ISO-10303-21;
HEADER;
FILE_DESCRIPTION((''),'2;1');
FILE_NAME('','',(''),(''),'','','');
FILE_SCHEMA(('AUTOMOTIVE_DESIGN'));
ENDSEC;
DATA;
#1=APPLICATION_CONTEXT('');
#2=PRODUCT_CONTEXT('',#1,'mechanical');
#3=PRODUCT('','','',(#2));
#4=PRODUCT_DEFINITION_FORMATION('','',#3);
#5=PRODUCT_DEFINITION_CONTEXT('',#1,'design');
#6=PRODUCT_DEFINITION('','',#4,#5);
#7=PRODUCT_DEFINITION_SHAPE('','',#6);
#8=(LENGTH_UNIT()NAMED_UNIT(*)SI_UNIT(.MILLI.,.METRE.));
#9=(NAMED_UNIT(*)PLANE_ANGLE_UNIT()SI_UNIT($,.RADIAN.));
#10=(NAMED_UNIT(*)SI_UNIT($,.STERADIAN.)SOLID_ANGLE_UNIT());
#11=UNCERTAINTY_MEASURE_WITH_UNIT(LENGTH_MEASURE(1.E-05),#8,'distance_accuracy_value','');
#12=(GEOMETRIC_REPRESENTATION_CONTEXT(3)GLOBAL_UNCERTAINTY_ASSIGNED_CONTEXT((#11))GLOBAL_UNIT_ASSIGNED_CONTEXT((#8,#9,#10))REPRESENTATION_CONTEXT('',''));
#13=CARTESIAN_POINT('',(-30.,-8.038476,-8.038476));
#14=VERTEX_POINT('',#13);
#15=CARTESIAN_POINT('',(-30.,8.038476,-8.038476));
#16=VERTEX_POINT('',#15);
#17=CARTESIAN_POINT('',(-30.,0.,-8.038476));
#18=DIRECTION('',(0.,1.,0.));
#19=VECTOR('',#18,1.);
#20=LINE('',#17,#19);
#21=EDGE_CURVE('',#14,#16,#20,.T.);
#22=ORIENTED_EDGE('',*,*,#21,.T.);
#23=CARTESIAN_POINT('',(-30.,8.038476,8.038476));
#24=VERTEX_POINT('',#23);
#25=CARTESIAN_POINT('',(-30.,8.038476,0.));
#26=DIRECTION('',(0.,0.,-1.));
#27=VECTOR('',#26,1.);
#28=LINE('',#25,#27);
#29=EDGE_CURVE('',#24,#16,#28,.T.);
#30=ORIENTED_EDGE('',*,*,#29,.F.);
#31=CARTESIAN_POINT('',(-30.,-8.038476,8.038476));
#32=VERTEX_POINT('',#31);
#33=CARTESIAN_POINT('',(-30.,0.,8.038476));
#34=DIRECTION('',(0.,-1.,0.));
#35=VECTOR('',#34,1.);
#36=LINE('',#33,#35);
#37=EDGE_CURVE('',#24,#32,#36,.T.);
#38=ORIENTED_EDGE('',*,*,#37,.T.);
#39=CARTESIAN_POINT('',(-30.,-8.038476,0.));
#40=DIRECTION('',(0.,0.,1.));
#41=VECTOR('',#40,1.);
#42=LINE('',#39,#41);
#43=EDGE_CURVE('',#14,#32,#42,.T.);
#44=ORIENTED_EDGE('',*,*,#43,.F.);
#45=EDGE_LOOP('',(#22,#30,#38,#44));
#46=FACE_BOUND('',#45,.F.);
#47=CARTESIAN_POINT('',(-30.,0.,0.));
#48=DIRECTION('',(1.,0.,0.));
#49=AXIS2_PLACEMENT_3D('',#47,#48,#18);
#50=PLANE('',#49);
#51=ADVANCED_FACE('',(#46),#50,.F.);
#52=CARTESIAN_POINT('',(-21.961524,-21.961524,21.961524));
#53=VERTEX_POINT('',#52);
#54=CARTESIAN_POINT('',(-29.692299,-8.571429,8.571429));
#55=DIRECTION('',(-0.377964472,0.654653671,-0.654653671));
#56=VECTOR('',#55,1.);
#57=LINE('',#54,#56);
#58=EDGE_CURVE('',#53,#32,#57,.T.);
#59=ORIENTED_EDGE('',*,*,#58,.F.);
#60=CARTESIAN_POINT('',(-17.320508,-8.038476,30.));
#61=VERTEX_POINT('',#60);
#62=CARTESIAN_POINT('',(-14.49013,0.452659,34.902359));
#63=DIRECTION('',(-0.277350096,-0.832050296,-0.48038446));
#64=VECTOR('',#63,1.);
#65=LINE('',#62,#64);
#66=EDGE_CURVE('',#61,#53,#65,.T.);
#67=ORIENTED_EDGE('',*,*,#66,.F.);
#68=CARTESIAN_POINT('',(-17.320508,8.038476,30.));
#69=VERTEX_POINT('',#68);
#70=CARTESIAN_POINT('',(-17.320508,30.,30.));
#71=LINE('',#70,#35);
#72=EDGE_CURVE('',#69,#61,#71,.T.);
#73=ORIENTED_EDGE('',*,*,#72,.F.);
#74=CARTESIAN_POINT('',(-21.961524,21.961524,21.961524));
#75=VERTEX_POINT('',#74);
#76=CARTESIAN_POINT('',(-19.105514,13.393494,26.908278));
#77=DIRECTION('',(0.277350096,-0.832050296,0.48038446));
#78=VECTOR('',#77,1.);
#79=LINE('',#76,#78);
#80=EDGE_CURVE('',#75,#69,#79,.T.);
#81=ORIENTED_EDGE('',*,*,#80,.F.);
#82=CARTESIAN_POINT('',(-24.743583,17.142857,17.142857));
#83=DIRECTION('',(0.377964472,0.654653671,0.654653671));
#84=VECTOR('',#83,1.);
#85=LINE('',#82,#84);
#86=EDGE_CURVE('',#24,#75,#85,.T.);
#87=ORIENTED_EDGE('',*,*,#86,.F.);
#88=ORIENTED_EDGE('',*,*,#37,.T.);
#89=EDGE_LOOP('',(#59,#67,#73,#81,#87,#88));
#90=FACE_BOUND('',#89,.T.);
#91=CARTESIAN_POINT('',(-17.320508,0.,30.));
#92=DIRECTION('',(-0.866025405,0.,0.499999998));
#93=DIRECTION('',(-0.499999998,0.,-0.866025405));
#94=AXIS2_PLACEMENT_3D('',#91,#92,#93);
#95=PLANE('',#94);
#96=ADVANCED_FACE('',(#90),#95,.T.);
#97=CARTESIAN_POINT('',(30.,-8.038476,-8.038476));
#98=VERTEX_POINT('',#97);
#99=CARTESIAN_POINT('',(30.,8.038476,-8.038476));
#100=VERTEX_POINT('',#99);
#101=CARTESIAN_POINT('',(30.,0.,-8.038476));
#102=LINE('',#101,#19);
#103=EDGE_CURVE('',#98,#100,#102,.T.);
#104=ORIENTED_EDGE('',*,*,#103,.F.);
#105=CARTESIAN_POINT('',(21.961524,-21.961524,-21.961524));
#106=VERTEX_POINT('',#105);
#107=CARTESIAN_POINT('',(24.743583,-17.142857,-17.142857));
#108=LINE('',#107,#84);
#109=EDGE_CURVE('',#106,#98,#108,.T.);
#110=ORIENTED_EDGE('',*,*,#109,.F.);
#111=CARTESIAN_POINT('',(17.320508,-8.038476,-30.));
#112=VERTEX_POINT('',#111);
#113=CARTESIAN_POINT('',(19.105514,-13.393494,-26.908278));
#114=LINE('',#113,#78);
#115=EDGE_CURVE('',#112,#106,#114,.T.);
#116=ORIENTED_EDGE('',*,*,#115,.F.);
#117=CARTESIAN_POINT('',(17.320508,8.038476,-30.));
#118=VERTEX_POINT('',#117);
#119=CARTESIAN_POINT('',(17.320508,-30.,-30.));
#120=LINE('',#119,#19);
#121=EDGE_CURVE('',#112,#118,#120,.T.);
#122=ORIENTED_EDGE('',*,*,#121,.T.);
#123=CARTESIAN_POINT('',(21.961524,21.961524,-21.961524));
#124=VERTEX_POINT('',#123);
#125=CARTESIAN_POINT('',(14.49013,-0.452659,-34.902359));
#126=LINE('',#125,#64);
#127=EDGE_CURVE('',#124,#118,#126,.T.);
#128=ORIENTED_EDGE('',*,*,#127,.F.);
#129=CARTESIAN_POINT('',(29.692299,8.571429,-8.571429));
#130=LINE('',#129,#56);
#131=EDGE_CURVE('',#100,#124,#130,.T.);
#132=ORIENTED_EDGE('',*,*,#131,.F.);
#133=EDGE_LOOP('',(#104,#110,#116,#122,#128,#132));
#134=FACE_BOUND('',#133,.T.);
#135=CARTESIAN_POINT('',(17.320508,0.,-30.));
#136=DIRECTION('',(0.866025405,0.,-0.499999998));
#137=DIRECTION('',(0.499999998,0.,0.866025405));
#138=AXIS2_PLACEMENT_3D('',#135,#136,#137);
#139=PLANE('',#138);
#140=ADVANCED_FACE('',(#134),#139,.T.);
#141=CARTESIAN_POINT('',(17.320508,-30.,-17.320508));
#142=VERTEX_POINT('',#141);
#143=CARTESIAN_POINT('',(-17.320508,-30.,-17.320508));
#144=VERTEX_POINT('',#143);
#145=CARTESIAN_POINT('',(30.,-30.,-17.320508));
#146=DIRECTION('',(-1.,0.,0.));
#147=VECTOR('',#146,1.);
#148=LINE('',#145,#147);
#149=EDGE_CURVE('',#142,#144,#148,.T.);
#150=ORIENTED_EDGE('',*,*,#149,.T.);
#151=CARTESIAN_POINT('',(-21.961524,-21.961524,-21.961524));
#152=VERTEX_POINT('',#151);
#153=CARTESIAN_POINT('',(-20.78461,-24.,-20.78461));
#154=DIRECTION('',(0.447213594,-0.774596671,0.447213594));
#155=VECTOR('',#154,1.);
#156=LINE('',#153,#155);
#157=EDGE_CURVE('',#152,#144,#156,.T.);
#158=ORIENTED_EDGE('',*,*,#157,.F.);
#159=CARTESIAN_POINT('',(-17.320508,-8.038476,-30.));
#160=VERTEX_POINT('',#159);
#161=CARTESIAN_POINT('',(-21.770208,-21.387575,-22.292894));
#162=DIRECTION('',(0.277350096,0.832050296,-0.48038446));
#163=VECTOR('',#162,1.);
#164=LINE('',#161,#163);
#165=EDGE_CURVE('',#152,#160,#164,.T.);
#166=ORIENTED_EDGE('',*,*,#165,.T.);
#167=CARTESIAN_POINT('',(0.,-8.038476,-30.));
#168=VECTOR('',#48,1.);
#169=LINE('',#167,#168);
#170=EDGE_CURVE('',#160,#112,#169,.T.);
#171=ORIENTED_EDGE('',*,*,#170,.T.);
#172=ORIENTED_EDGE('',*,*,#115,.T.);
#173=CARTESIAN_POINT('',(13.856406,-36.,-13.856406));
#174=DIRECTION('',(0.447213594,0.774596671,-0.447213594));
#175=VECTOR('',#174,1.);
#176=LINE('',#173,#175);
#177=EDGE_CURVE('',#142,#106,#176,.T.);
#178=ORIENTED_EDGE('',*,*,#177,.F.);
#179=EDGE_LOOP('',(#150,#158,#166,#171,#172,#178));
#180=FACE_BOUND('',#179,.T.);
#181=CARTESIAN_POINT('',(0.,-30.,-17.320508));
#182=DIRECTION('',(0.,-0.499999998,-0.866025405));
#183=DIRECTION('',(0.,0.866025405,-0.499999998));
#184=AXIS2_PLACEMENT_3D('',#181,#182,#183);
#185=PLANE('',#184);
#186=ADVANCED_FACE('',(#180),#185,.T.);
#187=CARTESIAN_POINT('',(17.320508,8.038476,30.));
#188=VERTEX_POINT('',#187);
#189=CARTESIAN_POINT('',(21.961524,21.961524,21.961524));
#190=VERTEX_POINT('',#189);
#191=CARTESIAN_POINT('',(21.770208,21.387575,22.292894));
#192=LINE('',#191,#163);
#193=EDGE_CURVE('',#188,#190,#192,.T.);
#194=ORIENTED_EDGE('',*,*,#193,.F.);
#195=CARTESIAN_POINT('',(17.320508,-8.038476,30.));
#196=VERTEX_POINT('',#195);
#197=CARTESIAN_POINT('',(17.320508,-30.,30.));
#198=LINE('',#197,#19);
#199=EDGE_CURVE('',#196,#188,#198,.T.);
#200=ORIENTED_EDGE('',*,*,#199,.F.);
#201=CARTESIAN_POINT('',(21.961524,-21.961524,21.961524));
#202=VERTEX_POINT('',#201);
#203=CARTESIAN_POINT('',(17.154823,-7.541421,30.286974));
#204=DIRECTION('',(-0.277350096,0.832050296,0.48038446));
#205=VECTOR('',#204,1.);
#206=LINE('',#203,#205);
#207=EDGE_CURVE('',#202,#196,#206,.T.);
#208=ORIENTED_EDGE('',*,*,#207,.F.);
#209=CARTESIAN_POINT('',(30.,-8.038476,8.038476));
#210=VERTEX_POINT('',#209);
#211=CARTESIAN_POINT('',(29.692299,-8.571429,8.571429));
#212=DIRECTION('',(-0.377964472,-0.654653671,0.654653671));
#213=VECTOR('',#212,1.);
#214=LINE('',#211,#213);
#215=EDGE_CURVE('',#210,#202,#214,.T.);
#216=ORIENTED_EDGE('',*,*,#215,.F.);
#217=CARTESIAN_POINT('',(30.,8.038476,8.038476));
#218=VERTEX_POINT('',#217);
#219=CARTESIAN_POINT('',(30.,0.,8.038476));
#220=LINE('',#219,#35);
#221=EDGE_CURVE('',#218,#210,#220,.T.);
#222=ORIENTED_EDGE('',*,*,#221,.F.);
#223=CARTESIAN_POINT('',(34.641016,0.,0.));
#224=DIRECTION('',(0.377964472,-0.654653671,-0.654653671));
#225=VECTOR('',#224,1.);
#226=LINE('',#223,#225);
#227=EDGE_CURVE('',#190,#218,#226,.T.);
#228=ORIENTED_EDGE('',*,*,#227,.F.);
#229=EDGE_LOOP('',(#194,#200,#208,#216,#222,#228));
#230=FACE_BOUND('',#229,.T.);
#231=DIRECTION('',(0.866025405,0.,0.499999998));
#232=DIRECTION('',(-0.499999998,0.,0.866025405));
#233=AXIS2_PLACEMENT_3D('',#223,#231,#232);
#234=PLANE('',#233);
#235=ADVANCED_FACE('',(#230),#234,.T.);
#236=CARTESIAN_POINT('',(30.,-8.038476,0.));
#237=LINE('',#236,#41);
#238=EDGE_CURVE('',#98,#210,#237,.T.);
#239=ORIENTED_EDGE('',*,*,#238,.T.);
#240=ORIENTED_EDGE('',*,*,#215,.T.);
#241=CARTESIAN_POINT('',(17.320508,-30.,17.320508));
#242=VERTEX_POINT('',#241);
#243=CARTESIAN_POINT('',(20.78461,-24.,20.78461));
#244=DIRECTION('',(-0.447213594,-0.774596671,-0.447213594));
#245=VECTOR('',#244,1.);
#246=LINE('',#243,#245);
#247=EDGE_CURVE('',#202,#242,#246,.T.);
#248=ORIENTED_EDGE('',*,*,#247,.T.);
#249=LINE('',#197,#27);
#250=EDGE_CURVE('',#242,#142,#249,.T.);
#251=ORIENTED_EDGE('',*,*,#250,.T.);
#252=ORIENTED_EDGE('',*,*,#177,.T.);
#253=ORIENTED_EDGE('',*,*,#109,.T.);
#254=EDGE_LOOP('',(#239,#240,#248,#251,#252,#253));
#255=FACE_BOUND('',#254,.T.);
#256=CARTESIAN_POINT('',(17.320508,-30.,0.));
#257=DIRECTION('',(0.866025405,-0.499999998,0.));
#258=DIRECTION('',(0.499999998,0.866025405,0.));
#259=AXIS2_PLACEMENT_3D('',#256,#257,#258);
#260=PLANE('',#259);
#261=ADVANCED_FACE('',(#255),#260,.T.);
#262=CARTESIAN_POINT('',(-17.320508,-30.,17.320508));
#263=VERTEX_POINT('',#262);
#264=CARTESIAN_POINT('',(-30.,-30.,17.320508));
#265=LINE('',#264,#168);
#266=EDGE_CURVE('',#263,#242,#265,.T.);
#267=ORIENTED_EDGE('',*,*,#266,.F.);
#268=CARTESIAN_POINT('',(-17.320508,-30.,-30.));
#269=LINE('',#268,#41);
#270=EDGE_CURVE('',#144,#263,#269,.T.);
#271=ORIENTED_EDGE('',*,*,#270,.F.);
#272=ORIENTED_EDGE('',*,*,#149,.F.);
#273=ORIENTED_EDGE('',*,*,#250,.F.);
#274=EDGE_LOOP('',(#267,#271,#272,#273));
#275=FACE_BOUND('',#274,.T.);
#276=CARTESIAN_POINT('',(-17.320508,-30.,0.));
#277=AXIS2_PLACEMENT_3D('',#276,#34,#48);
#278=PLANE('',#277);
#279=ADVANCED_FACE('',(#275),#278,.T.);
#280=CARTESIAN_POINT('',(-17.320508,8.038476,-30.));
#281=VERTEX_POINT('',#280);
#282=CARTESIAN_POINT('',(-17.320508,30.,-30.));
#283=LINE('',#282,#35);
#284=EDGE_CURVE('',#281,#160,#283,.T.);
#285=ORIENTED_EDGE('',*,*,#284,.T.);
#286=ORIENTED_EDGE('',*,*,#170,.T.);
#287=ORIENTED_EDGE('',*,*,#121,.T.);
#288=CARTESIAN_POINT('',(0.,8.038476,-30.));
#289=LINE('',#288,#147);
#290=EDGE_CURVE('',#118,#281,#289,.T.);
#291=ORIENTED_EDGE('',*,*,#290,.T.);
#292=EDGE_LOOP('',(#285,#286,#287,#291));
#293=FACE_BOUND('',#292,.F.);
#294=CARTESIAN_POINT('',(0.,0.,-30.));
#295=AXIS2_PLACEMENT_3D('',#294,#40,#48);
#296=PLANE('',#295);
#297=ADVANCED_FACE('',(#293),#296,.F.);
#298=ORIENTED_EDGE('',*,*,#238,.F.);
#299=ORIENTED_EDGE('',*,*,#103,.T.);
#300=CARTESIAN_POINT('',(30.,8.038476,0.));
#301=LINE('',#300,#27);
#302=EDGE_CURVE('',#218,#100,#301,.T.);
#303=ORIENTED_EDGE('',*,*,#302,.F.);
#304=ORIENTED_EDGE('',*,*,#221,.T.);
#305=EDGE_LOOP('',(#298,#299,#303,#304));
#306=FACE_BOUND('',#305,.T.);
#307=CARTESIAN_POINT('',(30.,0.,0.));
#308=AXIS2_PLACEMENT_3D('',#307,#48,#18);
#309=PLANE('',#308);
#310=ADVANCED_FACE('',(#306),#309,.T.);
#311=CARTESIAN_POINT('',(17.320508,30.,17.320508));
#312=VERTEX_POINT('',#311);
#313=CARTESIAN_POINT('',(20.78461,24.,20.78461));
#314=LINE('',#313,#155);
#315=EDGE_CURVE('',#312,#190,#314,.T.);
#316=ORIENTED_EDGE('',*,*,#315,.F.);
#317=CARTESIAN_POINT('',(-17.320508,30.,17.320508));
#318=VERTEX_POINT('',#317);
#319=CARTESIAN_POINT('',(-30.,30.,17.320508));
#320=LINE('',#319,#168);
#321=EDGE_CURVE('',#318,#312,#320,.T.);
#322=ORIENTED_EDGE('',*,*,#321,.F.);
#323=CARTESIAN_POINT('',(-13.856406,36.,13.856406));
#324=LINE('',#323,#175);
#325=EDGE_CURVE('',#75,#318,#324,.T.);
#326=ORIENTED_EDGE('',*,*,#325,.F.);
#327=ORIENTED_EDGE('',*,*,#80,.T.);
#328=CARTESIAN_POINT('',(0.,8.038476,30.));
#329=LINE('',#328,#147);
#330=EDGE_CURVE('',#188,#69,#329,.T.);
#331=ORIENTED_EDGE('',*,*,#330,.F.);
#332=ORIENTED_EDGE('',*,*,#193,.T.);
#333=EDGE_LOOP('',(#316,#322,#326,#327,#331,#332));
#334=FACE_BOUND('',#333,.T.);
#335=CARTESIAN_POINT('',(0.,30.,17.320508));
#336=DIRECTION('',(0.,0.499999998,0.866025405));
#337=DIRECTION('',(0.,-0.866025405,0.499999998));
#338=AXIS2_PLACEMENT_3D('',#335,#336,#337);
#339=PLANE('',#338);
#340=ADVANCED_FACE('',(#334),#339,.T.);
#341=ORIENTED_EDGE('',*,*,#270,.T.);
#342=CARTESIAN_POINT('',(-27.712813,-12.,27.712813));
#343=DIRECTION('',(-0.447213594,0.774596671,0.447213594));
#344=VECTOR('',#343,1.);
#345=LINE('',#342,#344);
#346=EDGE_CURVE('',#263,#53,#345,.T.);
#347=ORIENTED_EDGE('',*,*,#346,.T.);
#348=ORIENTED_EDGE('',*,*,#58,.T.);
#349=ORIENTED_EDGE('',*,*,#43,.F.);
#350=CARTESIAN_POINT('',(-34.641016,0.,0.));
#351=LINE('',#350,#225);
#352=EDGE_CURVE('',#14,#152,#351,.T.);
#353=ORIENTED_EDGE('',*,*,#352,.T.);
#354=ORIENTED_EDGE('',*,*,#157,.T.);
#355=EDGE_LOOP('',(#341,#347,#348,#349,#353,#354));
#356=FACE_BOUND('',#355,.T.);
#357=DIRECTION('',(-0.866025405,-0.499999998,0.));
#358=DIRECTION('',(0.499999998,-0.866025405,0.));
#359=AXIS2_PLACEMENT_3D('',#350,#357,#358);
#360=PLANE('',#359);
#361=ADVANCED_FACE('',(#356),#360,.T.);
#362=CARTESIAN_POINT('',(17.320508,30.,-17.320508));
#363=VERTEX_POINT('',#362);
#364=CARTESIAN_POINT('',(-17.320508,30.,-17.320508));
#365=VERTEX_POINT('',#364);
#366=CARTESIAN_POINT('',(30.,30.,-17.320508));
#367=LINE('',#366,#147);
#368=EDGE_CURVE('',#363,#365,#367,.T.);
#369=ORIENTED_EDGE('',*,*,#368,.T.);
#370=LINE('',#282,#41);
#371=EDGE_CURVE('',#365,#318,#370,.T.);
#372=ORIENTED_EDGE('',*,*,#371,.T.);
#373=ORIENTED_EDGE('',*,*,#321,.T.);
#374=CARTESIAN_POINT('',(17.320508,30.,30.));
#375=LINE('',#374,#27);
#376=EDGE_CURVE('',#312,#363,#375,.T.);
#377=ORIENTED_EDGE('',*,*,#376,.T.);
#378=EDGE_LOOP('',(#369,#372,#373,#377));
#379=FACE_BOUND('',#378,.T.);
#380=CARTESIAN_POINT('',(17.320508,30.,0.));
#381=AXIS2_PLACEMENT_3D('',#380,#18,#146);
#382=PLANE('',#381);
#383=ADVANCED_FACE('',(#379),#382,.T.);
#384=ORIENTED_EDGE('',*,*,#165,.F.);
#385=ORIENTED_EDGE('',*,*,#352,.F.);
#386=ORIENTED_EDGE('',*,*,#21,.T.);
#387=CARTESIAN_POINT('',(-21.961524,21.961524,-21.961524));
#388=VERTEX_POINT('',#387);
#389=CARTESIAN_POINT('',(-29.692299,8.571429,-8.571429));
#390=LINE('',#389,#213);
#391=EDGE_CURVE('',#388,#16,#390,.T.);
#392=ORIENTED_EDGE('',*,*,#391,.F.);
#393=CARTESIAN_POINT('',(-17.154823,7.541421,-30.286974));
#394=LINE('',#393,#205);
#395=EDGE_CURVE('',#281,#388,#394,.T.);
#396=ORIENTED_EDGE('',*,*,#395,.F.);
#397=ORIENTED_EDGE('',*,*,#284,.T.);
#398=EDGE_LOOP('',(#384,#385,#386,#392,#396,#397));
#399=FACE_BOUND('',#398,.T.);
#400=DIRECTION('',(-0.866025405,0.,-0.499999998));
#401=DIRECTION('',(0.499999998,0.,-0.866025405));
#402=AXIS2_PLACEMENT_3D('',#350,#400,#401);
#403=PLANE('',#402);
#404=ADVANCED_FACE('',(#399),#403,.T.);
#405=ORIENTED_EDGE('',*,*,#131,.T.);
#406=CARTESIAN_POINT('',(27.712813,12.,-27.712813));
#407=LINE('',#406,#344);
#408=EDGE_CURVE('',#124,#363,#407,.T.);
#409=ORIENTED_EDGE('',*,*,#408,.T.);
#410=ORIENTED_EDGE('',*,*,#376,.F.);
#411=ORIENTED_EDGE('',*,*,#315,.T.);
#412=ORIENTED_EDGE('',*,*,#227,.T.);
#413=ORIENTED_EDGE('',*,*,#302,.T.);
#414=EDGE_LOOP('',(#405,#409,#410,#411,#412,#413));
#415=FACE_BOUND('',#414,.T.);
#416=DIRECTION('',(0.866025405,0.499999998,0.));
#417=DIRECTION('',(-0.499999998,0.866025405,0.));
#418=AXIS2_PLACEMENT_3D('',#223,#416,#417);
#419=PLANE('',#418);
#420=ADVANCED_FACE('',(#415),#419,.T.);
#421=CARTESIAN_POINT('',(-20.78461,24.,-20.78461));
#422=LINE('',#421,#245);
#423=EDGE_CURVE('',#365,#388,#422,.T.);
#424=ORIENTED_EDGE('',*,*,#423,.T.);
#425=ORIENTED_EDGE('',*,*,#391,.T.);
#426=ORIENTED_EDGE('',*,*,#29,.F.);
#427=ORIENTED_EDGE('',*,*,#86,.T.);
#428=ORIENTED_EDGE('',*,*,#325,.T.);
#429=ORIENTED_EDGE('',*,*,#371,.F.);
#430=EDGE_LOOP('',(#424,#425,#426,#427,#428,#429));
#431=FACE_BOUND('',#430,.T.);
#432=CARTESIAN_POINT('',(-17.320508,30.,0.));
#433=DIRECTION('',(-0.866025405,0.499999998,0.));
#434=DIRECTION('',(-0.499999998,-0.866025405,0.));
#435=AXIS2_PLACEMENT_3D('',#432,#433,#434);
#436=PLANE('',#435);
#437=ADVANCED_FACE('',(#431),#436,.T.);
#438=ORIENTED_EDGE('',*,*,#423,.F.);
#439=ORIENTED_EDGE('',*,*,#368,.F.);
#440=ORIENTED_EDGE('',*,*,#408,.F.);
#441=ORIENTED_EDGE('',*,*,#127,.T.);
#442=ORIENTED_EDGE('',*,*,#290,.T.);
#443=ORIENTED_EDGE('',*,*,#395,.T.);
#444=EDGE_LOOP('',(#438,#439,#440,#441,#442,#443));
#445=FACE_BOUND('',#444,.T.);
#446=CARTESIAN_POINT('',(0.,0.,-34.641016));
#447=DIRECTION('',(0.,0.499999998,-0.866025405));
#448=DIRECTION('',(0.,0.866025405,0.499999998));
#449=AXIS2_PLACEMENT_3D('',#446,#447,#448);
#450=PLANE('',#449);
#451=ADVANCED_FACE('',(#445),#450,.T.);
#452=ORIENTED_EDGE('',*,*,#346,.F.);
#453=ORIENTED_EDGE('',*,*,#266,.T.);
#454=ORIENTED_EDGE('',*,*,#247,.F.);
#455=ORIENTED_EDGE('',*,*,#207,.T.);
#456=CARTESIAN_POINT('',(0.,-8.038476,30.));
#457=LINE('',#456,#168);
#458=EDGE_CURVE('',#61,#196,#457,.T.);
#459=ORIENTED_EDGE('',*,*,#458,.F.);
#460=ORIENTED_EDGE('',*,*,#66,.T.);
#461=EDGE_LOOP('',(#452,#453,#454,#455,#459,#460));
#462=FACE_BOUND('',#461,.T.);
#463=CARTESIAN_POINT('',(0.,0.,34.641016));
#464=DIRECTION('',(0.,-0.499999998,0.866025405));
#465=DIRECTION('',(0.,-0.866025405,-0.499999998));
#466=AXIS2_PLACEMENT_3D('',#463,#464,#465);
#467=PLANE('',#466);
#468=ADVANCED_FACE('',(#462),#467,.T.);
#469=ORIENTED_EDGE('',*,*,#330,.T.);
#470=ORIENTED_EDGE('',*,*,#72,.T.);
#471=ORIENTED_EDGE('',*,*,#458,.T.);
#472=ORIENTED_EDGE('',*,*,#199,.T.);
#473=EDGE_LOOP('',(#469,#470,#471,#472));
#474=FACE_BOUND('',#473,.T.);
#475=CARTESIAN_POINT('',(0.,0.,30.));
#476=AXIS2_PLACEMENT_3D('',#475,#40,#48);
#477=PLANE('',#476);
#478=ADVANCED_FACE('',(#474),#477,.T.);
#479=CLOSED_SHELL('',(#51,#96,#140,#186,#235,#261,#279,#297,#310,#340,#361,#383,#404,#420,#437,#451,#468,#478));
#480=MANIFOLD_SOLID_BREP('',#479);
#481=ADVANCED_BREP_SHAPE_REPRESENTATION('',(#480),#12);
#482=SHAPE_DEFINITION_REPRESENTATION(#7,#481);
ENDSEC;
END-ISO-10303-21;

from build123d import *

# Parameters (mm, degrees)
F3_DEPTH = 30
F4_DEPTH = 30
F5_DEPTH = 30


with BuildPart() as f3:
    # F0 (on Top) → F3 (new body, symmetric)
    with BuildSketch(Plane.XY):
        Polygon((17.320508, 30), (-17.320508, 30), (-34.641016, 0), (-17.320508, -30), (17.320508, -30), (34.641016, 0), align=None)
    extrude(amount=F3_DEPTH, both=True)

    # F1 (on Right) → F4 (intersect, symmetric)
    with BuildSketch(Plane.YZ):
        Polygon((30, -17.320508), (30, 17.320508), (0, 34.641016), (-30, 17.320508), (-30, -17.320508), (0, -34.641016), align=None)
    extrude(amount=F4_DEPTH, both=True, mode=Mode.INTERSECT)

    # F2 (on Front) → F5 (intersect, symmetric)
    with BuildSketch(Plane.XZ):
        Polygon((17.320508, 30), (-17.320508, 30), (-34.641016, 0), (-17.320508, -30), (17.320508, -30), (34.641016, 0), align=None)
    extrude(amount=F5_DEPTH, both=True, mode=Mode.INTERSECT)


solid = f3.part
